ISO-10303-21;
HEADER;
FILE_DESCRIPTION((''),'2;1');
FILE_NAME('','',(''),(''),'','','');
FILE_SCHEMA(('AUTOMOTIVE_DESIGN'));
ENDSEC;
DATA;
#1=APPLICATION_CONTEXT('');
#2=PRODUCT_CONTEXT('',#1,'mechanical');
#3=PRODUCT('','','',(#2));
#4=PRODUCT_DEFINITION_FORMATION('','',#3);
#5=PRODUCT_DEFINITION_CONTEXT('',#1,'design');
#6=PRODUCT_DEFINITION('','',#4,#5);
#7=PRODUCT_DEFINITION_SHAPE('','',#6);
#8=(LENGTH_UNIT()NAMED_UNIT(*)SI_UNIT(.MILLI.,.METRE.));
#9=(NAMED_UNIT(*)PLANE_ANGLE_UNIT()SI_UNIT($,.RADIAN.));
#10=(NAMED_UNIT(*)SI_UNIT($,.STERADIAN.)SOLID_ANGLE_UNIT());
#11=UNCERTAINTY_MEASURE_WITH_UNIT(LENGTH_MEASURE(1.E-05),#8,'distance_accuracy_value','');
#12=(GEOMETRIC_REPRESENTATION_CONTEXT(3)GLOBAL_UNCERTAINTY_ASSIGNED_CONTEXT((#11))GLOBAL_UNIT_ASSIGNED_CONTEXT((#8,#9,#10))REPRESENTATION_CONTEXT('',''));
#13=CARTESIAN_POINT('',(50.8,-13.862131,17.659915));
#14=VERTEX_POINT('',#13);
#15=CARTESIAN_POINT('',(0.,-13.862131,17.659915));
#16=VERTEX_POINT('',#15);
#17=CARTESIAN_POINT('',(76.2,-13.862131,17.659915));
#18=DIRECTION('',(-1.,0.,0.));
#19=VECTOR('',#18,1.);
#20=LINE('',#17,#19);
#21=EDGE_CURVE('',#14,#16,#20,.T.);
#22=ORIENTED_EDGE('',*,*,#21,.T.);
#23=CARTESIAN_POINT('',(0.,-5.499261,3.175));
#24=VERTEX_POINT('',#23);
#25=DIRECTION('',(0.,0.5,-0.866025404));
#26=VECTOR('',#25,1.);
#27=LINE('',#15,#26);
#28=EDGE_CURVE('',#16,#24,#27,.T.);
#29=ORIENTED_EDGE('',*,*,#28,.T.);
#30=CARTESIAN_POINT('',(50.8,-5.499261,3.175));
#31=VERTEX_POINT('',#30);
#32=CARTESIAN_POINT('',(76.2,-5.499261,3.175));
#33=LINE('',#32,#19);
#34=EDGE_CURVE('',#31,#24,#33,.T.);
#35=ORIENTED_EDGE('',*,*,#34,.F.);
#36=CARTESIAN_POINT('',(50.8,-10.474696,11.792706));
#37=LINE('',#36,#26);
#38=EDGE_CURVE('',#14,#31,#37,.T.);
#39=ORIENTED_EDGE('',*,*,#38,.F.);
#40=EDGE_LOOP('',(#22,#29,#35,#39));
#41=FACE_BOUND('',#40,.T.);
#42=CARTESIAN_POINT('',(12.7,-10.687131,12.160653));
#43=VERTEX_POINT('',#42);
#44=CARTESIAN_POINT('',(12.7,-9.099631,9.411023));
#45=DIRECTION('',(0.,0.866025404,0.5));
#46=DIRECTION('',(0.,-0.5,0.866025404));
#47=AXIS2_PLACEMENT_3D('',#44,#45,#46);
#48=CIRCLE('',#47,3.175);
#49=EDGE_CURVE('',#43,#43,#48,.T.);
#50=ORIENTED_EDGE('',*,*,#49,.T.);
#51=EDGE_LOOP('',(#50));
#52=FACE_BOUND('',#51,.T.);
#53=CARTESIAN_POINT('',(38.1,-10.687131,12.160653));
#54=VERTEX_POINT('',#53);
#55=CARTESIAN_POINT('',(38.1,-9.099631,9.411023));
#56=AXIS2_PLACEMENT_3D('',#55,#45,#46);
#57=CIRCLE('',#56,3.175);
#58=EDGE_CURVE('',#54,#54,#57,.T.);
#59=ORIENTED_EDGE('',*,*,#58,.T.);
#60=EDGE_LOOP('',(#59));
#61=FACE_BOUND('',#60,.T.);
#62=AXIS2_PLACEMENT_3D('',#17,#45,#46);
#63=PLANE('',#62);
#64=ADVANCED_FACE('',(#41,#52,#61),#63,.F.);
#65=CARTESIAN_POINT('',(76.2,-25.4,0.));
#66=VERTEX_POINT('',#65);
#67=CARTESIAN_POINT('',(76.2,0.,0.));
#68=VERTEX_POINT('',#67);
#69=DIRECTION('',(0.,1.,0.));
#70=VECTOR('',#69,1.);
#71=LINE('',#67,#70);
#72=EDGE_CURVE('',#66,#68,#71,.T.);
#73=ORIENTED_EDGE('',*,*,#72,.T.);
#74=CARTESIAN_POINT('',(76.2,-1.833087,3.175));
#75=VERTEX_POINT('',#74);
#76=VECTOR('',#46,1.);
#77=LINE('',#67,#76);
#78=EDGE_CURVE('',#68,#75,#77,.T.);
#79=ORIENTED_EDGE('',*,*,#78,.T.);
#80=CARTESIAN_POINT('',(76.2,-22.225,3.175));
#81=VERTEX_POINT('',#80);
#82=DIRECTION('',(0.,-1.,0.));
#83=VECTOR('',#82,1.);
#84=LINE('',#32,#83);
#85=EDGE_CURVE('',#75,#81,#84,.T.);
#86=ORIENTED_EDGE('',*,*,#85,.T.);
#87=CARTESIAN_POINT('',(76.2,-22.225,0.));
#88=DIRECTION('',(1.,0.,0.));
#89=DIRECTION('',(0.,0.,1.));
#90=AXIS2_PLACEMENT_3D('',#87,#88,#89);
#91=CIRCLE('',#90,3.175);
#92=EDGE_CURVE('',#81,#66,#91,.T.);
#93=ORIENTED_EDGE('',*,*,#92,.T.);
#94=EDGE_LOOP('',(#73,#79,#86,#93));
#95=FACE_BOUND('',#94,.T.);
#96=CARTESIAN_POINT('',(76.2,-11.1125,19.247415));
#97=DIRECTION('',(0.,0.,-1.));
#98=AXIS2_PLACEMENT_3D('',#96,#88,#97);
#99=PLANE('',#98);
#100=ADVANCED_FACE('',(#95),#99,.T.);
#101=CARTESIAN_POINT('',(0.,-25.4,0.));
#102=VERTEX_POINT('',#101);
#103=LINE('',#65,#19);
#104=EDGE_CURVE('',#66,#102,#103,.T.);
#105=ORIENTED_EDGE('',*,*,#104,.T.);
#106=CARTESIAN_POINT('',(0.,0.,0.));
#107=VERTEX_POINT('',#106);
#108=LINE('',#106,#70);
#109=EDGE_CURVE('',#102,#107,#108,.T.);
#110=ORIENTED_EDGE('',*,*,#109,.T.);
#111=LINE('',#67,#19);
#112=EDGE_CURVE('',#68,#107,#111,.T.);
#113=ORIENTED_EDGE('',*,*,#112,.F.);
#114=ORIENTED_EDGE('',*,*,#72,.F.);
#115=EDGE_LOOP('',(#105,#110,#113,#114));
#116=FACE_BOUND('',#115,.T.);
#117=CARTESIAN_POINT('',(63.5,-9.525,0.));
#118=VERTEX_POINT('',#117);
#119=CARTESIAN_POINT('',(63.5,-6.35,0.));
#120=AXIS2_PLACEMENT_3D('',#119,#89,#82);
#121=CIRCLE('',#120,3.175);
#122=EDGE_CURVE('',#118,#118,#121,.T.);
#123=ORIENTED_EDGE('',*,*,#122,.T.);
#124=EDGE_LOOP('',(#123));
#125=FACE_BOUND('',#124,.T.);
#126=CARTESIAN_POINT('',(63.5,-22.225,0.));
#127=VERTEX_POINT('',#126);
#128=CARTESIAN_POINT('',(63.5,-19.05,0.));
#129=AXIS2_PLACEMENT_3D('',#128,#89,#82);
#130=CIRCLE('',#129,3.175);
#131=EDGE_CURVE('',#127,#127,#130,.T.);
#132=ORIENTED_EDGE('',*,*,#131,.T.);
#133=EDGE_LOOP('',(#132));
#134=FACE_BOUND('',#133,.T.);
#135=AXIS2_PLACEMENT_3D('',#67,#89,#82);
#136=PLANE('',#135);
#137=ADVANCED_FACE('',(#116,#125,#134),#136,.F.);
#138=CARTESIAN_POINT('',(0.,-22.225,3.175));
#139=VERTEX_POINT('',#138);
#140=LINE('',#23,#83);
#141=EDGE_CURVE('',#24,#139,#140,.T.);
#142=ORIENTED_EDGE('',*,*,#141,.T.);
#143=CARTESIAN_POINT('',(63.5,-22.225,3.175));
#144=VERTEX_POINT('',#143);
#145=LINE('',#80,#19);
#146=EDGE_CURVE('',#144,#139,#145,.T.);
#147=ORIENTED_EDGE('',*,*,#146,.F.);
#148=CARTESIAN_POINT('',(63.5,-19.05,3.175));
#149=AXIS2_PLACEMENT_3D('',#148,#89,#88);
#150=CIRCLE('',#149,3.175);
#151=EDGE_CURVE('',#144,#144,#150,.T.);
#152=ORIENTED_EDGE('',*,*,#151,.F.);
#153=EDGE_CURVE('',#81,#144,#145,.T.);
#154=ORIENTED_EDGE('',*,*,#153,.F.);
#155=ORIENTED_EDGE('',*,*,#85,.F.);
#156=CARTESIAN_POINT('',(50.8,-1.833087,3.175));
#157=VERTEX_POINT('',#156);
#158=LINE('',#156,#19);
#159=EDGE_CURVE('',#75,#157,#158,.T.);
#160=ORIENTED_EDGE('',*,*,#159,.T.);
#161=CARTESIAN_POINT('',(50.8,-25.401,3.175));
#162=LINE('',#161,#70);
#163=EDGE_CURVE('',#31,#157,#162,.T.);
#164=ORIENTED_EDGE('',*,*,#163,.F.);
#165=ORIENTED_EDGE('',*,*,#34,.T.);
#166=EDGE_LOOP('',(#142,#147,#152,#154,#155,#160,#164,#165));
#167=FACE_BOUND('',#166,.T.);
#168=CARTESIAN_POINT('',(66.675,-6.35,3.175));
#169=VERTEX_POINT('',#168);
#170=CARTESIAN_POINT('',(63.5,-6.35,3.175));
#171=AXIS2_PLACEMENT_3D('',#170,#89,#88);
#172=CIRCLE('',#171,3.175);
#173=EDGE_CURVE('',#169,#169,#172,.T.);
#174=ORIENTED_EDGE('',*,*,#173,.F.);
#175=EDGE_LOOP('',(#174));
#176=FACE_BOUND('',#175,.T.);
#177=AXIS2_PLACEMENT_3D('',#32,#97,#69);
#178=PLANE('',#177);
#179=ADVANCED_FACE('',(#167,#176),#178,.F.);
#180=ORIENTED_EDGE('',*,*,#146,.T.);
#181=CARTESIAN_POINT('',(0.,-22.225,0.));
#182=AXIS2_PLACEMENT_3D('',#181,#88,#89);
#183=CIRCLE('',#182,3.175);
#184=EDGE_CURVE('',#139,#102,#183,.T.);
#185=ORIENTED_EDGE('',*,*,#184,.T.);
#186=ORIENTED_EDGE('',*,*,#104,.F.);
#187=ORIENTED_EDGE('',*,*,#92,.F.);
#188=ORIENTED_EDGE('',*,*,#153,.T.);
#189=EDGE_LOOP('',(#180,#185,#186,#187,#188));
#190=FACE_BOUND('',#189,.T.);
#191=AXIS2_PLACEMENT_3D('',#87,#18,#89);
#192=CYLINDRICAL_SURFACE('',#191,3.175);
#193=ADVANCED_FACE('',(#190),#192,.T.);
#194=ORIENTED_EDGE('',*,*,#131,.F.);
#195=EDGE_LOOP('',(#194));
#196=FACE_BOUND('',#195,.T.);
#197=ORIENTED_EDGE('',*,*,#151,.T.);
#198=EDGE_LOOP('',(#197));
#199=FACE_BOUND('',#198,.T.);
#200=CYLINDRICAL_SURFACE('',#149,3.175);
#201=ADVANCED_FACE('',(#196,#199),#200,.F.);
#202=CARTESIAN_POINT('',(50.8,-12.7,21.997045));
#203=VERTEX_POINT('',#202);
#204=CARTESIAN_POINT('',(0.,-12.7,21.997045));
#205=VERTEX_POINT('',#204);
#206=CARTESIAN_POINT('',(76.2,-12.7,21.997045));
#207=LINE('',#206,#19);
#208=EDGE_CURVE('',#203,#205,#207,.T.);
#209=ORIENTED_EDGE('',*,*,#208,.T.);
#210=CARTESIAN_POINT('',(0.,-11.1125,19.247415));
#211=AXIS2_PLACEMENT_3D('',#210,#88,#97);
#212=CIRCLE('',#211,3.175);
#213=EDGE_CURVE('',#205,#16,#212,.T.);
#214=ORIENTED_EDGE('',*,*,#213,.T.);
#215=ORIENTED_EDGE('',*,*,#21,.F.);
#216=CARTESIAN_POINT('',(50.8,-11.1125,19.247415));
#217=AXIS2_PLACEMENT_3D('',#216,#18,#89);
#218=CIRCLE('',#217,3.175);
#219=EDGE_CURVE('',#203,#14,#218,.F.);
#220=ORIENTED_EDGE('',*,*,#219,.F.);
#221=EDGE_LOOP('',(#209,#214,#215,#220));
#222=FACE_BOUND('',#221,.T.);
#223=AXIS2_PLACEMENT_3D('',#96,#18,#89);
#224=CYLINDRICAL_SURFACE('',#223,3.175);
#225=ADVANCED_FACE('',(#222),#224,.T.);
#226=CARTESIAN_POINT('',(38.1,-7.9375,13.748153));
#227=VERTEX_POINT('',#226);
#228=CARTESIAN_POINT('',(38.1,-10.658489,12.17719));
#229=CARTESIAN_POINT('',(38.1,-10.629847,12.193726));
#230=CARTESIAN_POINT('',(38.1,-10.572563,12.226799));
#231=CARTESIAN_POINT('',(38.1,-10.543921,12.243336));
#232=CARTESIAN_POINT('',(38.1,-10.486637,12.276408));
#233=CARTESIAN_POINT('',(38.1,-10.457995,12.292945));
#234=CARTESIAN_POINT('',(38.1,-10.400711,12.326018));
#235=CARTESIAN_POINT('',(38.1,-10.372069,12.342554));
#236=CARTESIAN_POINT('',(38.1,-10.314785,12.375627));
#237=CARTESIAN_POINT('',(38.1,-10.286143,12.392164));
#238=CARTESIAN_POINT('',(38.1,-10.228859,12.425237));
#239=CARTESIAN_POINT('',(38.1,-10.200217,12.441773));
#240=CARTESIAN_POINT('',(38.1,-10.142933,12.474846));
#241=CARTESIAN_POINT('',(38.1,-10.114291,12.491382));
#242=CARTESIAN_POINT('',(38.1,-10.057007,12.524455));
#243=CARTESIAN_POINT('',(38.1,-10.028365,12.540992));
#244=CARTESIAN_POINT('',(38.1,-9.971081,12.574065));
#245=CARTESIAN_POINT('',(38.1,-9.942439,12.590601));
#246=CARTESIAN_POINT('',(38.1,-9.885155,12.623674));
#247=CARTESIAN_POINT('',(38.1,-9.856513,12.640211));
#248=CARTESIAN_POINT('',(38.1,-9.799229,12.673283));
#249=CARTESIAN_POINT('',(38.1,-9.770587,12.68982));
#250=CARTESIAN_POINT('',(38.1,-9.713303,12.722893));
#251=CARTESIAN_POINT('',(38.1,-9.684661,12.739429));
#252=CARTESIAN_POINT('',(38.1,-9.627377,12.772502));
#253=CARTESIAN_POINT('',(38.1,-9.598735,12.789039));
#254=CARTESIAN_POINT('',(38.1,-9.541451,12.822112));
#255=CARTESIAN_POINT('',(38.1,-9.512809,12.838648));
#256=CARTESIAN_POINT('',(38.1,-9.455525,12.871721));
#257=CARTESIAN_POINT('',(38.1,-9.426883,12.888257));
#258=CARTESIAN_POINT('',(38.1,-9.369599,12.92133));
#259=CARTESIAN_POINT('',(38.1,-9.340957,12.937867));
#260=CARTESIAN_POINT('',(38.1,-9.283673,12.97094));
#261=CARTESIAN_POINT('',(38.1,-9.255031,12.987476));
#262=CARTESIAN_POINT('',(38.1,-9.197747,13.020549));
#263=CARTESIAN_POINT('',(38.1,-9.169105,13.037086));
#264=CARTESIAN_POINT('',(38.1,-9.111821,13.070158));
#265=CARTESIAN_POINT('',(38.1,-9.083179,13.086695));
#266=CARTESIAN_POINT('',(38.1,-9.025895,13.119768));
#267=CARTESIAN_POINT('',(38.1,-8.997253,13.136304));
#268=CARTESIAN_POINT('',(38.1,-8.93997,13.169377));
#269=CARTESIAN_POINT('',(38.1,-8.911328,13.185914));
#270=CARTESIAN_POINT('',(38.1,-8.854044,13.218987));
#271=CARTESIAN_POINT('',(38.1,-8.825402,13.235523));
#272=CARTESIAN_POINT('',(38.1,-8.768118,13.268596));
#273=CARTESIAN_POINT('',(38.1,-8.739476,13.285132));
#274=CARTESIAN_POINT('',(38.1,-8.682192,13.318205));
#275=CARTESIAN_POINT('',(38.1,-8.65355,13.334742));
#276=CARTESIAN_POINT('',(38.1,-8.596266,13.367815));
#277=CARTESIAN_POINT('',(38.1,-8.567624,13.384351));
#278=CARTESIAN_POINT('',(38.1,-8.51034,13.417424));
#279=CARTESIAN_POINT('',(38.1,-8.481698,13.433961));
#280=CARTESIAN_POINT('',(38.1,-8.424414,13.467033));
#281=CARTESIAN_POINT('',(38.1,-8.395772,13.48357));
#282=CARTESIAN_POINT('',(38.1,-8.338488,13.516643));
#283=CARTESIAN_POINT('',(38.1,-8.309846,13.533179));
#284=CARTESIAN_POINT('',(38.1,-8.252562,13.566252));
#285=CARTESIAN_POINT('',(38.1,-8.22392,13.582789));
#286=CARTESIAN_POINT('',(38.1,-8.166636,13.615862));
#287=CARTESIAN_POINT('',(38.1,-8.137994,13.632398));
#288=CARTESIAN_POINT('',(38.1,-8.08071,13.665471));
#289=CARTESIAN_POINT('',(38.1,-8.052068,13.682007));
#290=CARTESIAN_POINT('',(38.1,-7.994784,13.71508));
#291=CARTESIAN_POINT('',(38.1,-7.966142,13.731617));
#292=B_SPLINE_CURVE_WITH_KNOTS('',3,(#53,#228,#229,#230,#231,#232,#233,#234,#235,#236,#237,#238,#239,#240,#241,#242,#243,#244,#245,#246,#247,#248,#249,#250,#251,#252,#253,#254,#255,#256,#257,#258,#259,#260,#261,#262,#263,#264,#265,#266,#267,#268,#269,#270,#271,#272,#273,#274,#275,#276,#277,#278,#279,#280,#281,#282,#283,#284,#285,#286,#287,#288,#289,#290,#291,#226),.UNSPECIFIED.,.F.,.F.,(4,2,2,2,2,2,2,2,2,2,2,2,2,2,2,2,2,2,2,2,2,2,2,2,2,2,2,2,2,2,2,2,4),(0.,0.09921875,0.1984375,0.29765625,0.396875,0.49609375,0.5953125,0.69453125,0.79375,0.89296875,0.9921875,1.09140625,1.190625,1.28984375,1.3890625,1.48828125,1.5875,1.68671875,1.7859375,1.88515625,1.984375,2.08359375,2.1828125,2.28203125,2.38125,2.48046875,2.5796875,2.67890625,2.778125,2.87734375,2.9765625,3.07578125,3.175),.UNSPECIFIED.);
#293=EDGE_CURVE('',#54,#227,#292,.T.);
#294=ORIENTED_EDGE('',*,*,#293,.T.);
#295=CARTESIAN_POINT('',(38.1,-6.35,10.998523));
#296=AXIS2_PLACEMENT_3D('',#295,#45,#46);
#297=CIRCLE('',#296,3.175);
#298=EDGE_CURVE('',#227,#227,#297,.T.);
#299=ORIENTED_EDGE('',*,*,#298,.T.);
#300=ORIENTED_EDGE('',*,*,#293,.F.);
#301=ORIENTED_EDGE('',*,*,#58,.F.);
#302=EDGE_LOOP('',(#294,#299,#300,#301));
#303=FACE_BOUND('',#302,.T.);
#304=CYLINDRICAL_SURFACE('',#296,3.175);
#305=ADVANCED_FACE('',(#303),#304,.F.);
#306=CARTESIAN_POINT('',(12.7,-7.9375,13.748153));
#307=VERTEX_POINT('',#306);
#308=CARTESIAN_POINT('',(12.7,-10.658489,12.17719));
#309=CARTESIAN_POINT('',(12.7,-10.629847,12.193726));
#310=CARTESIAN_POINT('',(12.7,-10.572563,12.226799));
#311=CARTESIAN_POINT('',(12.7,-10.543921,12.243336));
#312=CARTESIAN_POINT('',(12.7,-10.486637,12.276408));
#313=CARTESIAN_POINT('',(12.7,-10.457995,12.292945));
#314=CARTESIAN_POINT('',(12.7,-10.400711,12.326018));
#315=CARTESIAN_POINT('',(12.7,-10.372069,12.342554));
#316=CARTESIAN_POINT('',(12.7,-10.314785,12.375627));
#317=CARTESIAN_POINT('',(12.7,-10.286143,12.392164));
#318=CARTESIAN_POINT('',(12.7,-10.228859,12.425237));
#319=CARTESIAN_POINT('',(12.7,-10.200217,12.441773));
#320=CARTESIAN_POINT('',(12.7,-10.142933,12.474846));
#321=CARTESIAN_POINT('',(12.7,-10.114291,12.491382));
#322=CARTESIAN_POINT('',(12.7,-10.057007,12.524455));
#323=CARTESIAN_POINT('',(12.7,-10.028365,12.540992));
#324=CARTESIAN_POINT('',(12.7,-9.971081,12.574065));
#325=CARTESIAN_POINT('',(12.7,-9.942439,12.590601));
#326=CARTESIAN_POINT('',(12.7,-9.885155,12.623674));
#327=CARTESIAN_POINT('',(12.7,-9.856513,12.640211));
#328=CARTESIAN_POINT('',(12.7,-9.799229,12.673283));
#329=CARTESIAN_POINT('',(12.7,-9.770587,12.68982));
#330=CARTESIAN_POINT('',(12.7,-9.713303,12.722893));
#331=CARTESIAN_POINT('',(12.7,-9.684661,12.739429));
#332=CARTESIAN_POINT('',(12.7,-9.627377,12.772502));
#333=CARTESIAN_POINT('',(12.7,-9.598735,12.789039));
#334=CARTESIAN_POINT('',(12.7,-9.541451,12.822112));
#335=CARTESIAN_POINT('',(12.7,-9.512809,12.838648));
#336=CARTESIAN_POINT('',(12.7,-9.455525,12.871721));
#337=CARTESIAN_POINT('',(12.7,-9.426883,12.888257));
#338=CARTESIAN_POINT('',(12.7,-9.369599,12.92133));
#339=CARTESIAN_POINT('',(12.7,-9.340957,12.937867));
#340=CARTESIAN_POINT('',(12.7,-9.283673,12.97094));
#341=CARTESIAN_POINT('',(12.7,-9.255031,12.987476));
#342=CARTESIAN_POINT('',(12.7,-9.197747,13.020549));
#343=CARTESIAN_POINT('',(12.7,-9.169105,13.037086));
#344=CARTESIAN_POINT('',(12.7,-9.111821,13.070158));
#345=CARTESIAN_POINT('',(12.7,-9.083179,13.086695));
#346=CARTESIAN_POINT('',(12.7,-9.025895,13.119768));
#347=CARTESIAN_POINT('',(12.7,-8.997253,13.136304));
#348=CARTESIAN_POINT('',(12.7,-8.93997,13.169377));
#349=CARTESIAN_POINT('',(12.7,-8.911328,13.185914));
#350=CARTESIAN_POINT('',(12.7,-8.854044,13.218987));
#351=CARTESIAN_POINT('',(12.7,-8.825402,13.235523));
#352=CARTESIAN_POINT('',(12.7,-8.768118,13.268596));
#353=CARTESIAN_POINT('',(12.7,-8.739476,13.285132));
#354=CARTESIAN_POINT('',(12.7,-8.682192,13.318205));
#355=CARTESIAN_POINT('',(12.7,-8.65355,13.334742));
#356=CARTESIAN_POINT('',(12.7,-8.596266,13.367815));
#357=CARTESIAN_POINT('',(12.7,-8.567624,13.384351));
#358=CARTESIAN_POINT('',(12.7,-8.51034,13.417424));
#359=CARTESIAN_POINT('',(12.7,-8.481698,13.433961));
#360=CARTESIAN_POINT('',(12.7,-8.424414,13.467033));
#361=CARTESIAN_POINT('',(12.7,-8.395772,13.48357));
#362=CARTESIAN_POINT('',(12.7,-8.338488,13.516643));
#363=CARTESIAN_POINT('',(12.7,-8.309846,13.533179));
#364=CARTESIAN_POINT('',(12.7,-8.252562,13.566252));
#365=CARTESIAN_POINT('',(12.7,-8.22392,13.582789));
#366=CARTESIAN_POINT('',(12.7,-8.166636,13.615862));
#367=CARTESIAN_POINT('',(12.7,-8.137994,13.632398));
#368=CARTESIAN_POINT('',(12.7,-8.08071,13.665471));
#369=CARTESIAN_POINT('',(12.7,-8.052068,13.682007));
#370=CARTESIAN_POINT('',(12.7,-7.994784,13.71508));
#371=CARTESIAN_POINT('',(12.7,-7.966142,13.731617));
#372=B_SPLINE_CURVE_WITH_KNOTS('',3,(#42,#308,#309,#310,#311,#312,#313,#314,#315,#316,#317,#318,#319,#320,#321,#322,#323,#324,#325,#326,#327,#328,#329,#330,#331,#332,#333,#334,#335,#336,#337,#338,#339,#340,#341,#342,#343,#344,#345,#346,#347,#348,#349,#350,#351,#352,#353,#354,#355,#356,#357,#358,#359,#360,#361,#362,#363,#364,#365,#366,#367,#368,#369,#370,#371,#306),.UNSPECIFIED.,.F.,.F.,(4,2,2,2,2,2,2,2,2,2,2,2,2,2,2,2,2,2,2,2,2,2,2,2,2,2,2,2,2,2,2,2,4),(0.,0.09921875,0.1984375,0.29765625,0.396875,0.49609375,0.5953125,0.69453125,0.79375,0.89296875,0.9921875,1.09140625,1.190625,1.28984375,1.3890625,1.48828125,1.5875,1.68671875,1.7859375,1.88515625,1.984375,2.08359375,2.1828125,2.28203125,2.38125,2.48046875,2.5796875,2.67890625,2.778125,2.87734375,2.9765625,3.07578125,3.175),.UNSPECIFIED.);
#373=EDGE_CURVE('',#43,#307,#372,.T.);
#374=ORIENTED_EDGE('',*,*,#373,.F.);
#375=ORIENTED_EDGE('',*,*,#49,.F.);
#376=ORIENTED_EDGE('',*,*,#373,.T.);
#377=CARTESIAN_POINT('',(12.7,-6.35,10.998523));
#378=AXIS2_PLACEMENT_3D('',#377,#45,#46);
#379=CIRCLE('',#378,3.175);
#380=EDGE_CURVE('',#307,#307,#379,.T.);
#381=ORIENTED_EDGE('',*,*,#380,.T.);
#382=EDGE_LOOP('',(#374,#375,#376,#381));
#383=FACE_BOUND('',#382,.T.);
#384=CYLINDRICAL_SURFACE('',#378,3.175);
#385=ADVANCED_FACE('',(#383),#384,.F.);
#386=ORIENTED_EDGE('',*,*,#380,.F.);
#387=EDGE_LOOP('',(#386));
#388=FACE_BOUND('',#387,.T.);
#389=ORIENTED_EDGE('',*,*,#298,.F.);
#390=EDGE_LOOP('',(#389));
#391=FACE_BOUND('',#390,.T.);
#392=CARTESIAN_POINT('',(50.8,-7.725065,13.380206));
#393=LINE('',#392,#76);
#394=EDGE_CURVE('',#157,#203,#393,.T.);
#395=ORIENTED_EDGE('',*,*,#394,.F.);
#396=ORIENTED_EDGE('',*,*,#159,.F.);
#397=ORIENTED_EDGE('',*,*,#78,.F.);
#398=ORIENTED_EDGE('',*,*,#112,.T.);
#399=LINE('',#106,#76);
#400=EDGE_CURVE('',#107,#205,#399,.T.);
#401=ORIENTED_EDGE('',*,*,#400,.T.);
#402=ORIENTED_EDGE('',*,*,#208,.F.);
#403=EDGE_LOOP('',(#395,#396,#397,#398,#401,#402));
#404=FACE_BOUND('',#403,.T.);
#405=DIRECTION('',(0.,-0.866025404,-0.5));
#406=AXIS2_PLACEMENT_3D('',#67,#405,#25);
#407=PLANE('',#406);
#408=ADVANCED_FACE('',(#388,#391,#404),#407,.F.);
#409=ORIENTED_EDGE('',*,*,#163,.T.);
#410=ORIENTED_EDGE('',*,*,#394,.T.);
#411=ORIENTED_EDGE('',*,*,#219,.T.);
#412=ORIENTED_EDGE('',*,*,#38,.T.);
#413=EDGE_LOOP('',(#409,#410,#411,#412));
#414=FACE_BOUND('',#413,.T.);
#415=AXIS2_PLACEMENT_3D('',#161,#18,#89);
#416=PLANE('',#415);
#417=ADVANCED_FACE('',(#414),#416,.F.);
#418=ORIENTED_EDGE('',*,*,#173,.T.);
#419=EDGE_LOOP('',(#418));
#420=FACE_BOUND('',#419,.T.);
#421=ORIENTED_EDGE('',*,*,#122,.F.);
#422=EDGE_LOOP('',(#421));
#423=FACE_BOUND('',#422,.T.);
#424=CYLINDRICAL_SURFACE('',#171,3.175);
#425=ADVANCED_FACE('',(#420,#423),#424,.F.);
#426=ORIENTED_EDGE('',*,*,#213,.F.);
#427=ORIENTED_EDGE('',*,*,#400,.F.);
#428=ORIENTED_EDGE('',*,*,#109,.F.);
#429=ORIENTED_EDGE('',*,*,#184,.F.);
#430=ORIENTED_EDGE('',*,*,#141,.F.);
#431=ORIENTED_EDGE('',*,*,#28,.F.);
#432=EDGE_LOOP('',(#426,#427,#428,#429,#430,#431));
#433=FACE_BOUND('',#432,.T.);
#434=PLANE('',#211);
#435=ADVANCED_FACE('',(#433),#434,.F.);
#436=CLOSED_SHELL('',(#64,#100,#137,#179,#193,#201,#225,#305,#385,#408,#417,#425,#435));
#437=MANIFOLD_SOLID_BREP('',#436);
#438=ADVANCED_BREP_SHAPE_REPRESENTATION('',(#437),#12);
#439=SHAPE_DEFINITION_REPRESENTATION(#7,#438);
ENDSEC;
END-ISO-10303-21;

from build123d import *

# Parameters (mm, degrees)
BOSS_EXTRUDE1_DEPTH             = 76.2
CUT_EXTRUDE2_REACH              = 85.279
SKETCH3_W                       = 25.4
SKETCH3_H                       = 25.4
F_1_4_0_25_DIAMETER_HOLE1_D     = 6.35
F_1_4_0_25_DIAMETER_HOLE2_D     = 6.35
F_1_4_0_25_DIAMETER_HOLE2_DEPTH = 3.175


with BuildPart() as part:
    # Sketch1 → Boss-Extrude1 (new body)
    with BuildSketch(Plane(origin=(0, 0, 0), x_dir=(0, 0, -1), z_dir=(1, 0, 0))):
        with BuildLine():
            Line((0, 0), (0, -25.4))
            ThreePointArc((0, -25.4), (-2.24506403, -24.47006403), (-3.175, -22.225))
            Line((-3.175, -22.225), (-3.175, -5.499261314))
            Line((-3.175, -5.499261314), (-17.659914599, -13.862130657))
            ThreePointArc((-17.659914599, -13.862130657), (-20.069165067, -14.179314498), (-21.997045256, -12.7))
            Line((-21.997045256, -12.7), (0, 0))
        make_face()
    extrude(amount=BOSS_EXTRUDE1_DEPTH)

    # Sketch3 → Cut-Extrude2 (cut, up to next)
    with BuildSketch(Plane(origin=(0, 0, 0), x_dir=(1, 0, 0), z_dir=(0, 1, 0)), mode=Mode.PRIVATE) as cut_extrude2_sk1:
        with Locations((63.5, -15.875)):
            Rectangle(SKETCH3_W, SKETCH3_H)
    cut_extrude2_tool1 = extrude(cut_extrude2_sk1.sketch, amount=-CUT_EXTRUDE2_REACH, mode=Mode.PRIVATE) & part.part
    add(cut_extrude2_tool1.solids().sort_by_distance((63.5, 0, 15.875))[0], mode=Mode.SUBTRACT)

    # 1/4 (0.25) Diameter Hole1 (through all)
    with Locations(Plane.XY.offset(3.175)):
        with Locations((63.5, -6.35), (63.5, -19.05)):
            Hole(F_1_4_0_25_DIAMETER_HOLE1_D / 2)

    # 1/4 (0.25) Diameter Hole2
    with Locations(Plane(origin=(0, 0, 0), x_dir=(1, 0, 0), z_dir=(0, 0.8660254037844398, 0.49999999999999806))):
        with Locations((12.7, -12.7), (38.1, -12.7)):
            Hole(F_1_4_0_25_DIAMETER_HOLE2_D / 2, depth=F_1_4_0_25_DIAMETER_HOLE2_DEPTH)


solid = part.part
